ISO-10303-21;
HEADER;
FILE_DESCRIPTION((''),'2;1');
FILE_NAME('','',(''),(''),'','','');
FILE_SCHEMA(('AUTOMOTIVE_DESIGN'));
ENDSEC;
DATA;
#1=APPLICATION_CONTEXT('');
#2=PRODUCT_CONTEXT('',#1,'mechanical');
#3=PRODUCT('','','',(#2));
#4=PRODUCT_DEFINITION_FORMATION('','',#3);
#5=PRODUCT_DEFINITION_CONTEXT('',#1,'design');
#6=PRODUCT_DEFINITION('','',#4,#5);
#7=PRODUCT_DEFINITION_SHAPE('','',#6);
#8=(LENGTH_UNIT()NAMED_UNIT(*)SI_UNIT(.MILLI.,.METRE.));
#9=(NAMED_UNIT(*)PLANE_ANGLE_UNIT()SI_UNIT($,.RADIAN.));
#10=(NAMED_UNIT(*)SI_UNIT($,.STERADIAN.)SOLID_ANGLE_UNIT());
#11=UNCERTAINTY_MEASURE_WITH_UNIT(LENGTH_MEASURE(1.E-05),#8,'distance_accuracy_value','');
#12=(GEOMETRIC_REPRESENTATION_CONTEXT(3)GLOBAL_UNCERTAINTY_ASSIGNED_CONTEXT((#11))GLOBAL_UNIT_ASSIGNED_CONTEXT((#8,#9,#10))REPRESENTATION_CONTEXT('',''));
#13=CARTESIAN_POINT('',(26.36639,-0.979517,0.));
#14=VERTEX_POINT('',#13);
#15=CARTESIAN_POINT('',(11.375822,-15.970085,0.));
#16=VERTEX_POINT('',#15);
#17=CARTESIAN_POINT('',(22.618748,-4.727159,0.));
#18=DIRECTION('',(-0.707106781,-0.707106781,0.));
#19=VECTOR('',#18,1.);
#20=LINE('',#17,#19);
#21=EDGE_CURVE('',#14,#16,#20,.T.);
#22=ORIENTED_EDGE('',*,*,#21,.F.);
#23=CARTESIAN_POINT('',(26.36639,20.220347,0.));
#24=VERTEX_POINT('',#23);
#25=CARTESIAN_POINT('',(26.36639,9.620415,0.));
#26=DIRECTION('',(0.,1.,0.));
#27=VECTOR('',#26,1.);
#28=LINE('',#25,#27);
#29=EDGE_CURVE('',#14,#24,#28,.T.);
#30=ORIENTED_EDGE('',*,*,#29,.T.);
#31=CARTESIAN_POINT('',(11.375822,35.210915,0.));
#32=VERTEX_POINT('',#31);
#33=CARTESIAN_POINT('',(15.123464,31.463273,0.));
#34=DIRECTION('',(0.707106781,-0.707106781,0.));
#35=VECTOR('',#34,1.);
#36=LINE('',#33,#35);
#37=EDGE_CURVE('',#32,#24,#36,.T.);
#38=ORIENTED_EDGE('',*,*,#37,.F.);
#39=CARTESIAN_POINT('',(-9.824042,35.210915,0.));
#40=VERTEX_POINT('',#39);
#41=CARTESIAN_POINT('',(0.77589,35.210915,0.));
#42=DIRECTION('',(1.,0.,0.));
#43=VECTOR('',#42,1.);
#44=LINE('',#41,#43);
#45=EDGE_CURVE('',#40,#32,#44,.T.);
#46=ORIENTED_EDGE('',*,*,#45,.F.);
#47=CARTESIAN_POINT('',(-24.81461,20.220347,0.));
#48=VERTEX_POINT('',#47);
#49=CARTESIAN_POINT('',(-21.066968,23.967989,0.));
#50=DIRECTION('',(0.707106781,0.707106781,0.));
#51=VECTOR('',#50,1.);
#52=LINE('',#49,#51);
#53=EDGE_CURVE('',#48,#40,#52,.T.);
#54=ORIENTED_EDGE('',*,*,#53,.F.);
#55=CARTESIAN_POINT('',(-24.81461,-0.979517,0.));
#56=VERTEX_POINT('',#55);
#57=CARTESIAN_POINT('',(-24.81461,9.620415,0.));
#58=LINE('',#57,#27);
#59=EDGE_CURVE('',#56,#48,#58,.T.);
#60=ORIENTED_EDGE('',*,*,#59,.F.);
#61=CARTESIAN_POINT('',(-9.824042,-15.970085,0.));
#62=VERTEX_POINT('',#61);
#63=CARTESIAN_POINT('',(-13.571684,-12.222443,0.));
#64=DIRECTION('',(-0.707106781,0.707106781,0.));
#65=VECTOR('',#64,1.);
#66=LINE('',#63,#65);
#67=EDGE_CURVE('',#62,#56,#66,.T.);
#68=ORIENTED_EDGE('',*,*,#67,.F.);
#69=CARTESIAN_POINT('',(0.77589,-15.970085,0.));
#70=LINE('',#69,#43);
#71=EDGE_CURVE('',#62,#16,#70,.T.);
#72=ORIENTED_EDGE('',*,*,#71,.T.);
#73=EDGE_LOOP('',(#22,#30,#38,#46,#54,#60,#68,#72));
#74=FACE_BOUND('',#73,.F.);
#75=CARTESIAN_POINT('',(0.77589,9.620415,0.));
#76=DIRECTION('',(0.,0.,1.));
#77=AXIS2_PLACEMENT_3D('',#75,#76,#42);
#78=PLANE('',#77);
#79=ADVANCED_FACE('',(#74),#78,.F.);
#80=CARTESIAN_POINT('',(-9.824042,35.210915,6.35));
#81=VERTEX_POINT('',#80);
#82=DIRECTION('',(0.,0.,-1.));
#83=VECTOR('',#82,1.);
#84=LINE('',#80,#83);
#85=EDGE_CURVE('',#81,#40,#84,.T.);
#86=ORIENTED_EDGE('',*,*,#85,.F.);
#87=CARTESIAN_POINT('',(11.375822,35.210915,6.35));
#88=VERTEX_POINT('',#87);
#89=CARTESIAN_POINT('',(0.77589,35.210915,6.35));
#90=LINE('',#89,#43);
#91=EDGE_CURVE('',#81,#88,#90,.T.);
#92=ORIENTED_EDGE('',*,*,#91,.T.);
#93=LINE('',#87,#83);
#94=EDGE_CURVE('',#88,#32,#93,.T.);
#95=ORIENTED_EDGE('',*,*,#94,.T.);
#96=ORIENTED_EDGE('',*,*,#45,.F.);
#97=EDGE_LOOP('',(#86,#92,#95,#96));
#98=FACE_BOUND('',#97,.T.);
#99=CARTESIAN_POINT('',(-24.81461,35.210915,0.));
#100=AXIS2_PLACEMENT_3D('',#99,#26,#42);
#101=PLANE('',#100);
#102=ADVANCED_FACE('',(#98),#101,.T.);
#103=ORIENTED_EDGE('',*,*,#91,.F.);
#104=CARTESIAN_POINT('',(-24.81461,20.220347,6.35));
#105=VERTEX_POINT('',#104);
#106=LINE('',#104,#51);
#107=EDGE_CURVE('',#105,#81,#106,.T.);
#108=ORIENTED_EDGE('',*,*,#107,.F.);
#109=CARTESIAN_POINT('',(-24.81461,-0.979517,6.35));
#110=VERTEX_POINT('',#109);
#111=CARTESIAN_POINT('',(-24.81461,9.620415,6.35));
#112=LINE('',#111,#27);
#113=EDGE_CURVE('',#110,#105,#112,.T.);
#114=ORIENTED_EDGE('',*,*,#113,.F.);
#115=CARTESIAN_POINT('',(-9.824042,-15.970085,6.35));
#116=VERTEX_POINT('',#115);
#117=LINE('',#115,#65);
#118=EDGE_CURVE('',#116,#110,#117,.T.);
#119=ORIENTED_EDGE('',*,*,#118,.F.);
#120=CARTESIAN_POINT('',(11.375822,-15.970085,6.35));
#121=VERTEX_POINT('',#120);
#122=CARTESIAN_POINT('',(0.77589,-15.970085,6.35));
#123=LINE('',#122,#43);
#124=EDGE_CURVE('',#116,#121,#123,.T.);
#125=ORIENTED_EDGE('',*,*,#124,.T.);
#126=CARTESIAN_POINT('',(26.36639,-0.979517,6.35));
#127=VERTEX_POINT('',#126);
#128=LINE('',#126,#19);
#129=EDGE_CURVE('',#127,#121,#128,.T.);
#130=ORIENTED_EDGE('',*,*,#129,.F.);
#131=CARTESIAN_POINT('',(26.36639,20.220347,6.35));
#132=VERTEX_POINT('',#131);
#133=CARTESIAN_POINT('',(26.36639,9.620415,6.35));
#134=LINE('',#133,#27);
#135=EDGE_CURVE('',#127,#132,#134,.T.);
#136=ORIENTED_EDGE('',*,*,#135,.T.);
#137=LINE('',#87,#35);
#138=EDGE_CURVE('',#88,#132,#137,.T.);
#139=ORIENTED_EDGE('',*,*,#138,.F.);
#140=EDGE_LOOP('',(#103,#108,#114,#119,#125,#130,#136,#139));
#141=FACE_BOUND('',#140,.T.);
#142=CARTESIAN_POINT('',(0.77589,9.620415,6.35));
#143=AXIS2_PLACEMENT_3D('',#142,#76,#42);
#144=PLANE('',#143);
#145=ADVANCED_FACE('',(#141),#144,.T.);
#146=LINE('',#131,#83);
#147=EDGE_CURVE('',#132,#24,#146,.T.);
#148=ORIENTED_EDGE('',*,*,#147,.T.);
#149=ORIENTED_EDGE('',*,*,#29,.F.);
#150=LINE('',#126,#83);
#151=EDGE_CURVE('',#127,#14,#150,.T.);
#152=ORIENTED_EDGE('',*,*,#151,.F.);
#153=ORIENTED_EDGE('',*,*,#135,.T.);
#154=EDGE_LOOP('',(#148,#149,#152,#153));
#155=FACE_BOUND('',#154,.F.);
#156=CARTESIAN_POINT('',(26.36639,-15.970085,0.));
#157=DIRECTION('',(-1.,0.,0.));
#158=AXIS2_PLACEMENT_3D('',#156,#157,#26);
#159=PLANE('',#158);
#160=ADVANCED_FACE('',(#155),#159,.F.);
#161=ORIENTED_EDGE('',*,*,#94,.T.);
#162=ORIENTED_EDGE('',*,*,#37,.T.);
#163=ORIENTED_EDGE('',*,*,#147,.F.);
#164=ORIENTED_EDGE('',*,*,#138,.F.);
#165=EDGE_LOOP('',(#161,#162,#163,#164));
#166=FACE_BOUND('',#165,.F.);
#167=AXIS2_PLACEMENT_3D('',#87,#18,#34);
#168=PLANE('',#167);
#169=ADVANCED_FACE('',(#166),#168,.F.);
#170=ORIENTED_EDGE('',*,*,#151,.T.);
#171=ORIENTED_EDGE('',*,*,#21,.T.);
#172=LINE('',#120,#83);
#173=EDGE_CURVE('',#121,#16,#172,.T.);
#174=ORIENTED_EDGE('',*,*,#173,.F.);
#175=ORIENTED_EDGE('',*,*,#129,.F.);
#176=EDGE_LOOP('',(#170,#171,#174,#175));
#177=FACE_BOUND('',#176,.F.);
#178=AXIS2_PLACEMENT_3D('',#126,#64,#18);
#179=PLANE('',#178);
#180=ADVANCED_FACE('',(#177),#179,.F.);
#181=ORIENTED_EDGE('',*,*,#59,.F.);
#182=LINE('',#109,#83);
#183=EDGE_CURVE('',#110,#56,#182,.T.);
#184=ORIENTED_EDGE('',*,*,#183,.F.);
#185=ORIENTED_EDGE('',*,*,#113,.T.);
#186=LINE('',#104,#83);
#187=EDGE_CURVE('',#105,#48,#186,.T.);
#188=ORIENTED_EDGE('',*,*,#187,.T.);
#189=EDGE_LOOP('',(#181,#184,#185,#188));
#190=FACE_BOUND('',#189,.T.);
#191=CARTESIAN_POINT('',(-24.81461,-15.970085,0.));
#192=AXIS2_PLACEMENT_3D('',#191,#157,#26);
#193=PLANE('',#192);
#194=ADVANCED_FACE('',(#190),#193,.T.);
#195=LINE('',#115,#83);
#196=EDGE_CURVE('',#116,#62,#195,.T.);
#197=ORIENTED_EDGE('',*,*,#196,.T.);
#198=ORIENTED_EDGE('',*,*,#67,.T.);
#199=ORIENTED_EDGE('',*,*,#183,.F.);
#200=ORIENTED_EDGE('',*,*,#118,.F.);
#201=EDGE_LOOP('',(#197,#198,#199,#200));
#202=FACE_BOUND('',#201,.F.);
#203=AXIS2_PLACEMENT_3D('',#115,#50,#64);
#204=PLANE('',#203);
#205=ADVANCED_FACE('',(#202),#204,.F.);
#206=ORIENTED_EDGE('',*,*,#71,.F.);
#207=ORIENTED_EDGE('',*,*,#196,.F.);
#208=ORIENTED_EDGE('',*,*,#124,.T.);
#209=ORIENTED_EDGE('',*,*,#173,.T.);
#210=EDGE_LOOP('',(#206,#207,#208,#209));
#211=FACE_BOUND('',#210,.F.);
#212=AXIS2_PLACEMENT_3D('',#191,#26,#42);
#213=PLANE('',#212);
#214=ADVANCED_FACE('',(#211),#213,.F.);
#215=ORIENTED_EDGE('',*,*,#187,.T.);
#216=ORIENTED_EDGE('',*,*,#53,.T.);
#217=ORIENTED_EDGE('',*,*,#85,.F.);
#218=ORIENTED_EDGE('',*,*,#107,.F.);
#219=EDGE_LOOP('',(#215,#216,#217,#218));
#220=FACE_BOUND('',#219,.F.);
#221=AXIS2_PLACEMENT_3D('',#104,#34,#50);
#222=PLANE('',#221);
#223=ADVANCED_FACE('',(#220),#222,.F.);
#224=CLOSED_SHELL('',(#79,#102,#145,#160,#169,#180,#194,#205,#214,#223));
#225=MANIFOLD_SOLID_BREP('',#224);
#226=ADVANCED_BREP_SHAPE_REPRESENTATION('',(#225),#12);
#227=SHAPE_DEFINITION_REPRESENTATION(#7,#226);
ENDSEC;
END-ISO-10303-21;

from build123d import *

# Parameters (mm, degrees)
F0_W     = 51.181
F0_H     = 51.181
F1_DEPTH = 6.35
F3_DEPTH = 25.4


with BuildPart() as f1:
    # F0 (on Top) → F1 (new body)
    with BuildSketch(Plane.XY):
        with Locations((0.77589, 9.620415)):
            Rectangle(F0_W, F0_H)
    extrude(amount=F1_DEPTH)

    # F2 (on face) → F3 (cut)
    with BuildSketch(Plane.XY.offset(6.35)):
        Polygon((-24.81461, 35.210915), (-24.81461, 20.220347), (-9.824042, 35.210915), align=None)
        Polygon((26.36639, 35.210915), (11.375822, 35.210915), (26.36639, 20.220347), align=None)
        Polygon((-9.824042, -15.970085), (-24.81461, -0.979517), (-24.81461, -15.970085), align=None)
        Polygon((26.36639, -0.979517), (11.375822, -15.970085), (26.36639, -15.970085), align=None)
    extrude(amount=-F3_DEPTH, mode=Mode.SUBTRACT)


solid = f1.part
